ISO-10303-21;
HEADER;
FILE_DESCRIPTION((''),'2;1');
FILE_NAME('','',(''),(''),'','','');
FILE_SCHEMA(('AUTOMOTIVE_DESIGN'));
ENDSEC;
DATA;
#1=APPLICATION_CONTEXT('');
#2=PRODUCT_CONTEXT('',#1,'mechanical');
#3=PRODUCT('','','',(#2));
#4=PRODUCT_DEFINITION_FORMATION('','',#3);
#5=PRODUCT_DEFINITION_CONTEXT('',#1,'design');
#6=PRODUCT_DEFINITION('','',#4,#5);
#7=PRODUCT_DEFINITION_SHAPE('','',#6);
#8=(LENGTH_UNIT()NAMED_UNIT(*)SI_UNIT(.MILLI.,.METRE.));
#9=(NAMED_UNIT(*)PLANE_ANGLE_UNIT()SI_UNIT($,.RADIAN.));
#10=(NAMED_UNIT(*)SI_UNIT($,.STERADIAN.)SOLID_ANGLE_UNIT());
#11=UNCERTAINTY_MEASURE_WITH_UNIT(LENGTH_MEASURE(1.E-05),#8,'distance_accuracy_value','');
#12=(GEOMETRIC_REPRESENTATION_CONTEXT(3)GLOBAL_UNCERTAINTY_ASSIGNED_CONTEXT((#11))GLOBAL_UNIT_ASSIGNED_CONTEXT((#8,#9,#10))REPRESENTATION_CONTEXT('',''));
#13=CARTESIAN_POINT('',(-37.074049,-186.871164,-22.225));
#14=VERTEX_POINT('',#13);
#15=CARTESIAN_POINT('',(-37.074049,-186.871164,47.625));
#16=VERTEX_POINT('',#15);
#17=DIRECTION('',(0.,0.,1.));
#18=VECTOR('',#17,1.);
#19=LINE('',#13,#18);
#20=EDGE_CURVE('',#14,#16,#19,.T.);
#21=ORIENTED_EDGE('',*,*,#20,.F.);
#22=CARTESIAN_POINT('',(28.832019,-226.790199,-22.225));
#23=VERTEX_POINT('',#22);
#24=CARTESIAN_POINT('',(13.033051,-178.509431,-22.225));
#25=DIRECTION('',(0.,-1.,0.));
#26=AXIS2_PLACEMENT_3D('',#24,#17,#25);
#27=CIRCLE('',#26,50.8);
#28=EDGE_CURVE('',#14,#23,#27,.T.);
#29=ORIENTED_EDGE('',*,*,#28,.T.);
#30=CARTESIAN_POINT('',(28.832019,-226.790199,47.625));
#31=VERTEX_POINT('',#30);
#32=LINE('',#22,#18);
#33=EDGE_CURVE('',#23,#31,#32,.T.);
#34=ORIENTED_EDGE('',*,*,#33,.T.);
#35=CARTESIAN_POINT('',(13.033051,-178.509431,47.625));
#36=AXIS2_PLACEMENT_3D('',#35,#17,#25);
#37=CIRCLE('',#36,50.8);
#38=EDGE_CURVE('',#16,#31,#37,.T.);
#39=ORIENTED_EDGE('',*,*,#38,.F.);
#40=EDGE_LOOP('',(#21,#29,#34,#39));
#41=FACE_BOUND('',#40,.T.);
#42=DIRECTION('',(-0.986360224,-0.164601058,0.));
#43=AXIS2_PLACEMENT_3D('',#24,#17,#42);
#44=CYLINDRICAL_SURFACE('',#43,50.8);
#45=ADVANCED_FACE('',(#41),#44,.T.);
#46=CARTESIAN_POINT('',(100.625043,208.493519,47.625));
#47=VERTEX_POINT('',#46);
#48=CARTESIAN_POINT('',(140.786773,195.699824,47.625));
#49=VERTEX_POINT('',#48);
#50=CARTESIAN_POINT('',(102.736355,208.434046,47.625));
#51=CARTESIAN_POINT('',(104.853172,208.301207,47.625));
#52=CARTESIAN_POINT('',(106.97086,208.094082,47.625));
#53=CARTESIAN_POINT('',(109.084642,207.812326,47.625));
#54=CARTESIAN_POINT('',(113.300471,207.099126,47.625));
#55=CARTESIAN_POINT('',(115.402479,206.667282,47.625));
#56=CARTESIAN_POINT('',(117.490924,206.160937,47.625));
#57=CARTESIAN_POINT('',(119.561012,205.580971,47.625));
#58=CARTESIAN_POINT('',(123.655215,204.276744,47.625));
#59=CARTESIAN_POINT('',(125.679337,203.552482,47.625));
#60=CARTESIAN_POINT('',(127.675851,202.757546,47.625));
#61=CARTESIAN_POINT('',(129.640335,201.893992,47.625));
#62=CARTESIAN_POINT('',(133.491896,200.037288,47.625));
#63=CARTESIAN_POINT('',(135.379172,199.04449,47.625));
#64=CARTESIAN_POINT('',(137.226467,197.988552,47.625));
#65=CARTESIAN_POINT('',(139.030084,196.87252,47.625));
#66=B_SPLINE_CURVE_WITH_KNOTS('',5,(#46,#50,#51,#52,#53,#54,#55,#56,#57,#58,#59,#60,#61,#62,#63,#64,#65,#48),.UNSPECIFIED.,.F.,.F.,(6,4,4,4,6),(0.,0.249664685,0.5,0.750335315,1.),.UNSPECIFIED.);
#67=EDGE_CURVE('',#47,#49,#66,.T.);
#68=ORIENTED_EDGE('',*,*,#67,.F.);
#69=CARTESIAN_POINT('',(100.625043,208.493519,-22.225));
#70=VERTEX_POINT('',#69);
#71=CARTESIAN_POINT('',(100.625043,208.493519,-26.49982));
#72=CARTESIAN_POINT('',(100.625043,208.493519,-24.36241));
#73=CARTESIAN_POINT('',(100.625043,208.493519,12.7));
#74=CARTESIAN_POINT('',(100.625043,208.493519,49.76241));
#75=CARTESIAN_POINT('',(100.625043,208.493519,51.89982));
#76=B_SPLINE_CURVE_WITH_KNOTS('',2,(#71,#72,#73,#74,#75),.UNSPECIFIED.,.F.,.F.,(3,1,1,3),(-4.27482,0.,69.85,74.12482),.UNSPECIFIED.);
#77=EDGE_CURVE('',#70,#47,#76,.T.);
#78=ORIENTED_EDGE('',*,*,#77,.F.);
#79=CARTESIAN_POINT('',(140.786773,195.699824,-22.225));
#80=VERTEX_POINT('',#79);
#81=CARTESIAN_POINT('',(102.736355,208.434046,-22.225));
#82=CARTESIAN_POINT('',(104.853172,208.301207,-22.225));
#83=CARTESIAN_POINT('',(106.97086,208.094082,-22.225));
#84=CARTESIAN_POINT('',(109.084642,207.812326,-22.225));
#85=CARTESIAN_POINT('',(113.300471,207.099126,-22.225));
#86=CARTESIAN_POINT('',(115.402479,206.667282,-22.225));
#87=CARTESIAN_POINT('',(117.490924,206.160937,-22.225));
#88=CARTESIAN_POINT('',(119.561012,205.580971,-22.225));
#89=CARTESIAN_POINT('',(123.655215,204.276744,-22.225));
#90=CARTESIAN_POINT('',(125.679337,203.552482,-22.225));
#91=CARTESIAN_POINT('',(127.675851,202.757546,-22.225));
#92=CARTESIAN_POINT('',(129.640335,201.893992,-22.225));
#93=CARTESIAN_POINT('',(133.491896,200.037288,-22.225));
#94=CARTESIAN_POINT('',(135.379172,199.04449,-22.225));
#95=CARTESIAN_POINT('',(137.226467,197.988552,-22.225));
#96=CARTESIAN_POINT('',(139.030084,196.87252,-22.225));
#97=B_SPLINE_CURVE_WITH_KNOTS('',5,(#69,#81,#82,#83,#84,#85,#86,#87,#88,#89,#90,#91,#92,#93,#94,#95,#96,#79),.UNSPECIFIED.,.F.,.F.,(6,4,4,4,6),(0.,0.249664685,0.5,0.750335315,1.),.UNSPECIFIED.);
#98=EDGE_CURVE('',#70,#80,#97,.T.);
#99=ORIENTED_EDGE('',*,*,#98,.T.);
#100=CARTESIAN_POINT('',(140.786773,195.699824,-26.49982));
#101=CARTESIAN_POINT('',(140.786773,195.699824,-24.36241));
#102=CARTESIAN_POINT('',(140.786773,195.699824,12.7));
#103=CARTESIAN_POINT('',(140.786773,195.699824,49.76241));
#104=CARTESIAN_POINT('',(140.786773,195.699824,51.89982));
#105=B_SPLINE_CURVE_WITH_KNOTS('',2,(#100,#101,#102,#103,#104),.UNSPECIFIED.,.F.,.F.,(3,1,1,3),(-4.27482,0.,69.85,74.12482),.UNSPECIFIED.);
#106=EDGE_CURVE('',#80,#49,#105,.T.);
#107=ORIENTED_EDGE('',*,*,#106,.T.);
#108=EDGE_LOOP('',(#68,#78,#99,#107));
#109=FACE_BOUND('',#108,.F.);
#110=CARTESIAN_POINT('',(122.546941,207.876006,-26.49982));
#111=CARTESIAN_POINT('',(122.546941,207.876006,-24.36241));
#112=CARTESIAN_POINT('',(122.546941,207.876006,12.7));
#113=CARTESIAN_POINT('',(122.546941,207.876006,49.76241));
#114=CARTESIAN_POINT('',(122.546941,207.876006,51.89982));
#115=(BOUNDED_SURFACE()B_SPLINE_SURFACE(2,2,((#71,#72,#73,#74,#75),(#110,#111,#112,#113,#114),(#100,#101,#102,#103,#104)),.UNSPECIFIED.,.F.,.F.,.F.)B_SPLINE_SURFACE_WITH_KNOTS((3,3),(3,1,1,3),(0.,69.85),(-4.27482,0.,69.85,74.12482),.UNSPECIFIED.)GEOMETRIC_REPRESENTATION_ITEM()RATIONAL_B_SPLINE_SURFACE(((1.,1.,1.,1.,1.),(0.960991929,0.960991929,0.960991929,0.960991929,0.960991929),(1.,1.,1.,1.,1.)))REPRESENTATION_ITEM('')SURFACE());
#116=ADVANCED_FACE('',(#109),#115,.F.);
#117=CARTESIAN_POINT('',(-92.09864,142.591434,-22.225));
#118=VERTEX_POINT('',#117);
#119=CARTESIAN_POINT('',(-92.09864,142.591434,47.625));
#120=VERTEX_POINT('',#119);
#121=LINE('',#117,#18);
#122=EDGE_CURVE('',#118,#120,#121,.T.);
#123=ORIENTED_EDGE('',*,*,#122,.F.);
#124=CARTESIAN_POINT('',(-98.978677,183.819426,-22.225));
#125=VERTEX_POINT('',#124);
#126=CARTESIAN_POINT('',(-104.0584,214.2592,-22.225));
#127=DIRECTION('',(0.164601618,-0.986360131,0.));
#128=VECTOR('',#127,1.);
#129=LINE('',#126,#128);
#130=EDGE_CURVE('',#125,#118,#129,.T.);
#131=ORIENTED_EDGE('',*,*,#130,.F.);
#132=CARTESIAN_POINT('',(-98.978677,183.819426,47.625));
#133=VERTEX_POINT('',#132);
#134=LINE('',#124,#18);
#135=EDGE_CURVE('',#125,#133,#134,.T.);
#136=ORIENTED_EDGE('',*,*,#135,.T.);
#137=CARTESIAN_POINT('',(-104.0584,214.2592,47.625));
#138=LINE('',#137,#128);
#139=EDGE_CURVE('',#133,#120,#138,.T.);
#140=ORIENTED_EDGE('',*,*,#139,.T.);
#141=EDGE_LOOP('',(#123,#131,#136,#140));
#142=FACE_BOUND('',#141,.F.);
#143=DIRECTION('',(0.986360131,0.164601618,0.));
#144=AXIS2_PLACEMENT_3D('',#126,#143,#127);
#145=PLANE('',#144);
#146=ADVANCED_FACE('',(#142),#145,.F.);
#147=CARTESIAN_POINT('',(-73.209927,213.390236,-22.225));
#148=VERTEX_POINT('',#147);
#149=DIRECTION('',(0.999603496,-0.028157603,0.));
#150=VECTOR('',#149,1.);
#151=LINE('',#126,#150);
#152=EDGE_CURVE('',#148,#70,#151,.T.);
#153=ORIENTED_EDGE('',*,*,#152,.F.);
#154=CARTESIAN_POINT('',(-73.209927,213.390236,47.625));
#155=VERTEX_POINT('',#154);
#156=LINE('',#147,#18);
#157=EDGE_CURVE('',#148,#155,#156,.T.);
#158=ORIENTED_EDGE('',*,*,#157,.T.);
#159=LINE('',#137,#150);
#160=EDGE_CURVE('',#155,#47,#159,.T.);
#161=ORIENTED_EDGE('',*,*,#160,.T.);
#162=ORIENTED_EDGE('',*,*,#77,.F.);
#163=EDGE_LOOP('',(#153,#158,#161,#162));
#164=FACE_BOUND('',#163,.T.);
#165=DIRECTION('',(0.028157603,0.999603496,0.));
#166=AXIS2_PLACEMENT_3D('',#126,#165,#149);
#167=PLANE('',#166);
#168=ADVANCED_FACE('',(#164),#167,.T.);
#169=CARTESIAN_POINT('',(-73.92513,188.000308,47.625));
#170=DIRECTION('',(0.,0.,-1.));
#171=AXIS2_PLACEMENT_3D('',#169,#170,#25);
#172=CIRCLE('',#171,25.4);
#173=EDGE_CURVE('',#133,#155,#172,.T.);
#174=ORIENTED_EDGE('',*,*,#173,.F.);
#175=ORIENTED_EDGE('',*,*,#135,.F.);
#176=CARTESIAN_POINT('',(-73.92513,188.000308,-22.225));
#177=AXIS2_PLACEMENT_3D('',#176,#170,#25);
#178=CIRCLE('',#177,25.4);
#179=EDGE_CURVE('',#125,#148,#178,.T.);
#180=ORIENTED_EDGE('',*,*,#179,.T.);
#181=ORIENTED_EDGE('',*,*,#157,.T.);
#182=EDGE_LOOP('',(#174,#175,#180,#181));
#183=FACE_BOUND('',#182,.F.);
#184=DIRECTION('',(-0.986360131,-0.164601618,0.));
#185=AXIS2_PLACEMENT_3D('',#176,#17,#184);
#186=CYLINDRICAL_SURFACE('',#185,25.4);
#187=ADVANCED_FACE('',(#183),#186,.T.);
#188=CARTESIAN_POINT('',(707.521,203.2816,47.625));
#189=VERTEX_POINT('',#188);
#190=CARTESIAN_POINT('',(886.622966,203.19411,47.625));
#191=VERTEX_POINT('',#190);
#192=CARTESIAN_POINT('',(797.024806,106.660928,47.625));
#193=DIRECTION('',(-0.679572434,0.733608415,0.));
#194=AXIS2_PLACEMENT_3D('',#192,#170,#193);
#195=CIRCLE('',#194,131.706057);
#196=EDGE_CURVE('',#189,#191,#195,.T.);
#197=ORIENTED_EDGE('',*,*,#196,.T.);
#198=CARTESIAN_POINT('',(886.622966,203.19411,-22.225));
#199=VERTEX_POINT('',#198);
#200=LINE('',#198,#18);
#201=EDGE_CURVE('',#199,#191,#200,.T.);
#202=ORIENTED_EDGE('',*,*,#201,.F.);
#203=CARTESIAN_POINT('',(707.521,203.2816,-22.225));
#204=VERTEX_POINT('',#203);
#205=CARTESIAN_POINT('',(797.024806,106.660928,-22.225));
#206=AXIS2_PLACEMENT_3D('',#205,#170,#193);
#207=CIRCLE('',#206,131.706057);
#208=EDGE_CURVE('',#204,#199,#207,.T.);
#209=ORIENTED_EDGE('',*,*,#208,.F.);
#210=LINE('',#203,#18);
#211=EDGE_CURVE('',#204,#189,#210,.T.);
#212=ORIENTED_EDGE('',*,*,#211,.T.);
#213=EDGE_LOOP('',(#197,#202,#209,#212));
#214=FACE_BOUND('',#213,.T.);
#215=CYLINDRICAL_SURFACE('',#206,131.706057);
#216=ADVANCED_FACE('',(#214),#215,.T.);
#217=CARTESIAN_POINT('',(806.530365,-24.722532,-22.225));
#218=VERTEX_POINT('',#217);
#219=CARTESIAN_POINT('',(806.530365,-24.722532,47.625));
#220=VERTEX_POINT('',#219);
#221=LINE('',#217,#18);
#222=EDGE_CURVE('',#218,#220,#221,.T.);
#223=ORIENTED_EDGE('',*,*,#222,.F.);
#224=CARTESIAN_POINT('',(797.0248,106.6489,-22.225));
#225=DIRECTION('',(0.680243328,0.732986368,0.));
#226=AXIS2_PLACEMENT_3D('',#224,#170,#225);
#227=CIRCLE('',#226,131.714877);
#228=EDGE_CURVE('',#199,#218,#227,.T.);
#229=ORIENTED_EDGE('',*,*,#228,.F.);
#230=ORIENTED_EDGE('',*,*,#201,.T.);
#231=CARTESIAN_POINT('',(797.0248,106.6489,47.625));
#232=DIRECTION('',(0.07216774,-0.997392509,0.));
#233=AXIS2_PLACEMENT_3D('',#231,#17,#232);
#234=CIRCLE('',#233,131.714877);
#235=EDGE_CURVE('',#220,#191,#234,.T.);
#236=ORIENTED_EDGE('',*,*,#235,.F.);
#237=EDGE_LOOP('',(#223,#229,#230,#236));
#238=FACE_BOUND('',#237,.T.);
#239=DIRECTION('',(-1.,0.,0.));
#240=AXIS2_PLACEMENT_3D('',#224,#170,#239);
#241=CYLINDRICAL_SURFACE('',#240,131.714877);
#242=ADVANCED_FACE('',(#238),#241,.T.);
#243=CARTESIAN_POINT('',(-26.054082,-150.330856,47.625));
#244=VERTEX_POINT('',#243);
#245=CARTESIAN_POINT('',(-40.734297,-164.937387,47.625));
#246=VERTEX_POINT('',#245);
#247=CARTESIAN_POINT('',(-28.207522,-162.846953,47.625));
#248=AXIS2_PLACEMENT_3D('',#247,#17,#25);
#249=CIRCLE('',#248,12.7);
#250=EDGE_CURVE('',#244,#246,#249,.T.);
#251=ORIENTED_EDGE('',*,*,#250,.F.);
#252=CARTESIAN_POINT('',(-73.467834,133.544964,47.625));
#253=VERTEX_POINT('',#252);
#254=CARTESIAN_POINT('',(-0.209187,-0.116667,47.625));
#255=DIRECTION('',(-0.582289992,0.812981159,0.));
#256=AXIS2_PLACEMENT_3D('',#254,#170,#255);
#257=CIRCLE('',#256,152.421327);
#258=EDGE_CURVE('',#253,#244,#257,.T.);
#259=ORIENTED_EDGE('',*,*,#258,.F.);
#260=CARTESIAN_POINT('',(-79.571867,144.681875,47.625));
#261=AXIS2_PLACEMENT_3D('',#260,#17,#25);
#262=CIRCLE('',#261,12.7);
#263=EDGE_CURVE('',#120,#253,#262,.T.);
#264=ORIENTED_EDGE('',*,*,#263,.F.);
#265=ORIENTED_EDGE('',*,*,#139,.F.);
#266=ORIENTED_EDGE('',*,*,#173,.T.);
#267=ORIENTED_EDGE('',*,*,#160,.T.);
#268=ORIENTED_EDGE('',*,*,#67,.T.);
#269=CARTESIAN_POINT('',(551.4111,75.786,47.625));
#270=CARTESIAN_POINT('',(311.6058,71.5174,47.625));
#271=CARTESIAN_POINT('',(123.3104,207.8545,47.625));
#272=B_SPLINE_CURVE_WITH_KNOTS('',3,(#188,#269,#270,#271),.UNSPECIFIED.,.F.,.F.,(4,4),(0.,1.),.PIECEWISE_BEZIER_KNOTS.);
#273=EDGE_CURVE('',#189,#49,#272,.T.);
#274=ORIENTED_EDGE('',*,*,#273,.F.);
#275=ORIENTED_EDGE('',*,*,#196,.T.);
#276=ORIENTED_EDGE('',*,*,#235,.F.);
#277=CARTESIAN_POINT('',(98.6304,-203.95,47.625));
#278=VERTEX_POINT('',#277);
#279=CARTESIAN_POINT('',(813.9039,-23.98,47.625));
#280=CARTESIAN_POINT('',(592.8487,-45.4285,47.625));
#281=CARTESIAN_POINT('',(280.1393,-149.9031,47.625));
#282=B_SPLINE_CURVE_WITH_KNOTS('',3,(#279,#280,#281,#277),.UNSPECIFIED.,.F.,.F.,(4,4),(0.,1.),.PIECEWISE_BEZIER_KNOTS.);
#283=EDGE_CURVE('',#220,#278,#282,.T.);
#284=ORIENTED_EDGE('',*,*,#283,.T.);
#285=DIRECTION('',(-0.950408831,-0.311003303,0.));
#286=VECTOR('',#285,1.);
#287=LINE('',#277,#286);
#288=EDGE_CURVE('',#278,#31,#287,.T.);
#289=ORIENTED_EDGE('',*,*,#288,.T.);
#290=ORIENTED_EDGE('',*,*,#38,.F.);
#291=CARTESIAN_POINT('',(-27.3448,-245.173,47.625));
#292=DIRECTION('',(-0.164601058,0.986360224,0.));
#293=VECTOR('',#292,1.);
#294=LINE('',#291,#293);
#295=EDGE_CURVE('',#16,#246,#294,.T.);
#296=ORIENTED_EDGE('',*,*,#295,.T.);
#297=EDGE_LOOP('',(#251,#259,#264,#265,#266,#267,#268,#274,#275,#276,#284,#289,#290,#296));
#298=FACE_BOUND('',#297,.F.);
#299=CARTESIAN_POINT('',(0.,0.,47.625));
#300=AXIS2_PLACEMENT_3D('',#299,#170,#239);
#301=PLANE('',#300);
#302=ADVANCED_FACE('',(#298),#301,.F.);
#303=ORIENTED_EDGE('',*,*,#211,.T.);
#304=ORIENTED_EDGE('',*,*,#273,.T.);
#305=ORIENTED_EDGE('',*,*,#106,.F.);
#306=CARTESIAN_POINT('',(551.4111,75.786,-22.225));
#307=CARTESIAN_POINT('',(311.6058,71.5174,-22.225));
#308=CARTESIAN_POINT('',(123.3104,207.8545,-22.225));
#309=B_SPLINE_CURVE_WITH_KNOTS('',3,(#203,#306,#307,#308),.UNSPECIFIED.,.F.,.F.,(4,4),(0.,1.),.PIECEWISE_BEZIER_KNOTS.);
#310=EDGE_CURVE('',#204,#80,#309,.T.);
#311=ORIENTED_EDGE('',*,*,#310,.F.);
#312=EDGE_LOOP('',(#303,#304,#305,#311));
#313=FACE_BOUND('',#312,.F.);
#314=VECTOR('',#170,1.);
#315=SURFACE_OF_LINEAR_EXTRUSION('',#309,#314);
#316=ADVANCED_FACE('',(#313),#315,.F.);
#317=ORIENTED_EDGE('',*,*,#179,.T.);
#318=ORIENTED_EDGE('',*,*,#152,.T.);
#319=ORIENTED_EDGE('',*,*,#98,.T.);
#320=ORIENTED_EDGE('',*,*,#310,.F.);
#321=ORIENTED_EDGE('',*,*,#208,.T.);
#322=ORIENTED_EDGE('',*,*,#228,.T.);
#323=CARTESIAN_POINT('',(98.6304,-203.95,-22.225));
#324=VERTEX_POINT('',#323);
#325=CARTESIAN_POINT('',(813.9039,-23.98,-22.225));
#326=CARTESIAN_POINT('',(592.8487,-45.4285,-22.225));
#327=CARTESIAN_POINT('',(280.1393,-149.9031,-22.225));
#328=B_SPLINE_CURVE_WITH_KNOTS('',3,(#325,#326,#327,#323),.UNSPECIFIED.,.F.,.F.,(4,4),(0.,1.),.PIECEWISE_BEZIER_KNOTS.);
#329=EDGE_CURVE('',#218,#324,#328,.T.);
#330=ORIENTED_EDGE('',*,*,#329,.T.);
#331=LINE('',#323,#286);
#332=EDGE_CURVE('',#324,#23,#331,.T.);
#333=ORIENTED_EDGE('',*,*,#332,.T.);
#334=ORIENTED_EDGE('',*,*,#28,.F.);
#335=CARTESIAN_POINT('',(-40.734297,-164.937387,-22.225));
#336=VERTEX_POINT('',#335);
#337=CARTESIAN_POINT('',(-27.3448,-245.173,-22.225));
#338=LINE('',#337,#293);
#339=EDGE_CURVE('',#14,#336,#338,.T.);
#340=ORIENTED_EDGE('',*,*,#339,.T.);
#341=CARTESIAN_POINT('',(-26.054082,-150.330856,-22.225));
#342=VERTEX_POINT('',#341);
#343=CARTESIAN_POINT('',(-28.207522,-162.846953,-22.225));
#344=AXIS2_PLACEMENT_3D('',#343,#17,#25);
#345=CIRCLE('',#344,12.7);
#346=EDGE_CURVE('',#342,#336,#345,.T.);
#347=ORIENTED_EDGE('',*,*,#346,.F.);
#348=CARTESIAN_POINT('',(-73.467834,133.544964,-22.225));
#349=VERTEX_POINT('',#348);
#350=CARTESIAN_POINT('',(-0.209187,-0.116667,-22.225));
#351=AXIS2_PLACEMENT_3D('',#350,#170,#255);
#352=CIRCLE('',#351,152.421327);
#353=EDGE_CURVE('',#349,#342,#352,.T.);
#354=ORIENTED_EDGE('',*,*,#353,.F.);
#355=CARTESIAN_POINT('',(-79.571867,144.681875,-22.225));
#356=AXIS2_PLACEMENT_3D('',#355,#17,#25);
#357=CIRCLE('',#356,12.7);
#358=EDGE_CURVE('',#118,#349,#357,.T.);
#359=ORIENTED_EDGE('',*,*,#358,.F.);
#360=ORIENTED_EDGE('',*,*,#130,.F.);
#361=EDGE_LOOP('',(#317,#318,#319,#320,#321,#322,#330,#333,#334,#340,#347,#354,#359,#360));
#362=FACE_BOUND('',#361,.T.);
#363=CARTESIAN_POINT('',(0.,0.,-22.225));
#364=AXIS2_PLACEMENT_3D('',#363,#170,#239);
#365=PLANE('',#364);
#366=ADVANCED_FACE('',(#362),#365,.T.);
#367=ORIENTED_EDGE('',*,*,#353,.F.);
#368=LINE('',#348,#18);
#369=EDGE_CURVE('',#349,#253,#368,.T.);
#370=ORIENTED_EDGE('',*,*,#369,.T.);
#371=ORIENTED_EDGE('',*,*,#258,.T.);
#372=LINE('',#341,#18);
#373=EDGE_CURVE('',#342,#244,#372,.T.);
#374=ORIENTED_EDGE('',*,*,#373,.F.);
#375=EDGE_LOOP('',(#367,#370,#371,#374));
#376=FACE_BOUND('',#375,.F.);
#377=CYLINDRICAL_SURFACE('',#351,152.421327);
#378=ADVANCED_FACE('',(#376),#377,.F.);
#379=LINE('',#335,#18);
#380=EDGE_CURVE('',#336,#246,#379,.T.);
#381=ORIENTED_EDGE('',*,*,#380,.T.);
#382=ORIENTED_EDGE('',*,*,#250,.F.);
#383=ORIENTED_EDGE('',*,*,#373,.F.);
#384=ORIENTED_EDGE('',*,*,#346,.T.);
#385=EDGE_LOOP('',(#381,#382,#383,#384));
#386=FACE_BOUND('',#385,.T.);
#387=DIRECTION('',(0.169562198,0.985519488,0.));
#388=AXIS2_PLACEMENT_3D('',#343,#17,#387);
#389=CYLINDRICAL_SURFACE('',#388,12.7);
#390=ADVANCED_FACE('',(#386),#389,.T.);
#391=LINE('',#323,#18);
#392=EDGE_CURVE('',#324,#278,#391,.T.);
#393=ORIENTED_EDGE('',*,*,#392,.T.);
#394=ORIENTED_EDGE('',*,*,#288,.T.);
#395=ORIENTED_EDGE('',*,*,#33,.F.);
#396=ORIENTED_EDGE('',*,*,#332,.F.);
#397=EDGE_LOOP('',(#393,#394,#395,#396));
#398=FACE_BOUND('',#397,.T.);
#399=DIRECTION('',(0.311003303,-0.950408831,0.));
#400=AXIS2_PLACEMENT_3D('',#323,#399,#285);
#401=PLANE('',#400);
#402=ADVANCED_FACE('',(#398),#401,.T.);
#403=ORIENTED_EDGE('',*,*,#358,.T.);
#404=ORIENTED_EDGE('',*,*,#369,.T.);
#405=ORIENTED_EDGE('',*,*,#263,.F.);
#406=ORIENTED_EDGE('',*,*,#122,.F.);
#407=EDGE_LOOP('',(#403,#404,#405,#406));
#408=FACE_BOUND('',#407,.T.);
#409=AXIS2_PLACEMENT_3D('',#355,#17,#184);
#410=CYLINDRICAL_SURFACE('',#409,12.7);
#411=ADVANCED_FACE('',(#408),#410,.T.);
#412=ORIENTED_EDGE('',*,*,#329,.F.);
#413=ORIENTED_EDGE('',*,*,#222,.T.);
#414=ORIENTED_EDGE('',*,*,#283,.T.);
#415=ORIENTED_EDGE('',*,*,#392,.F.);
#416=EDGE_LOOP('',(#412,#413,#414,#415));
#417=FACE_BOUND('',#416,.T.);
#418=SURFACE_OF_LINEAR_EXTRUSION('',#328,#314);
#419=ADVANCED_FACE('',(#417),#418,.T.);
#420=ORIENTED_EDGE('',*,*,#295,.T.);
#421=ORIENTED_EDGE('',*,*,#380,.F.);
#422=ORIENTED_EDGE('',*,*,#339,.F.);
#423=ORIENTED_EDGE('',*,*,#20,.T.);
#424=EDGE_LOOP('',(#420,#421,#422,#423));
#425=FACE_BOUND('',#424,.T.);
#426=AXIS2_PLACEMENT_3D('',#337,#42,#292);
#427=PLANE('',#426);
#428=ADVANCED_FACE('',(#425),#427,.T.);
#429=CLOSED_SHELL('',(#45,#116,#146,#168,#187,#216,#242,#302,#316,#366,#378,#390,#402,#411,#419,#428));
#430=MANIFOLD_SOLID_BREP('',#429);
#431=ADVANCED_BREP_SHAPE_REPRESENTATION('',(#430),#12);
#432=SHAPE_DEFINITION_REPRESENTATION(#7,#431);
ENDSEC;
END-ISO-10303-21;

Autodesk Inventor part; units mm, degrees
ref_plane "YZ Plane" through (0, 0, 0) normal (1, 0, 0) x (0, 1, 0)
ref_plane "XZ Plane" through (0, 0, 0) normal (0, 1, 0) x (-1, 0, 0)
ref_plane "XY Plane" through (0, 0, 0) normal (0, 0, 1) x (1, 0, 0)
ref_plane "Work Plane1" through (0, 0, -22.225) normal (0, 0, -1) x (-1, 0, 0)
sketch "Sketch1" plane through (0, 0, -22.225) normal (0, 0, -1) x (-1, 0, 0)
  arc A0 (88.9626, 123.799) -> (43.8693, -146.1511) centre (0.2092, -0.1167) ccw
  line L0 (104.0584, 214.2592) -> (-123.3104, 207.8545)
  line L1 (104.0584, 214.2592) -> (88.9626, 123.799)
  line L2 (27.3448, -245.173) -> (43.8693, -146.1511)
  spline S0 degree 3 poles (-707.521, 203.2816) (-551.4111, 75.786) (-311.6058, 71.5174) (-123.3104, 207.8545) knots 0 0 0 0 1 1 1 1
  spline S1 degree 3 poles (-813.9039, -23.98) (-592.8487, -45.4285) (-280.1393, -149.9031) (-98.6304, -203.95) knots 0 0 0 0 1 1 1 1
  line L3 (-98.6304, -203.95) -> (27.3448, -245.173)
  arc A1 (-707.521, 203.2816) -> (-707.521, 203.2816) centre (-797.0248, 106.6489) ccw
  arc A2 (-707.521, 203.2816) -> (-707.521, 203.2816) centre (-797.0248, 106.6489) ccw
  line L4 (-754.135, 241.3513) -> (-660.9071, 165.2118) construction
  arc A3 (-742.7917, 235.6937) -> (-668.7166, 175.1963) centre (-447.712, 521.4005) ccw construction
  line L5 (-880.3002, -17.5377) -> (-747.5076, -30.4223) construction
  arc A4 (-760.9988, -30.537) -> (-867.0828, -20.2439) centre (-910.7419, -1022.0239) ccw construction
  arc A5 (-707.521, 203.2816) -> (-807.2552, -24.6472) centre (-797.0248, 106.6609) ccw
  point P0 (-439.0779, 106.766)
  point P1 (-428.475, -105.3455)
extrude "Extrusion1" add sketch "Sketch1" against normal blind 69.85
fillet "Fillet1" radius 25.4 1 edges at (-104.0584, 214.2592, 12.7)
fillet "Fillet2" radius 50.8 1 edges at (-27.3448, -245.173, 12.7)
fillet "Fillet4" radius 76.2 1 edges at (123.3104, 207.8545, 12.7)
fillet "Fillet5" radius 12.7 2 edges at (-43.8693, -146.1511, 12.7) (-88.9626, 123.799, 12.7)
properties material "Wood (Walnut)"
